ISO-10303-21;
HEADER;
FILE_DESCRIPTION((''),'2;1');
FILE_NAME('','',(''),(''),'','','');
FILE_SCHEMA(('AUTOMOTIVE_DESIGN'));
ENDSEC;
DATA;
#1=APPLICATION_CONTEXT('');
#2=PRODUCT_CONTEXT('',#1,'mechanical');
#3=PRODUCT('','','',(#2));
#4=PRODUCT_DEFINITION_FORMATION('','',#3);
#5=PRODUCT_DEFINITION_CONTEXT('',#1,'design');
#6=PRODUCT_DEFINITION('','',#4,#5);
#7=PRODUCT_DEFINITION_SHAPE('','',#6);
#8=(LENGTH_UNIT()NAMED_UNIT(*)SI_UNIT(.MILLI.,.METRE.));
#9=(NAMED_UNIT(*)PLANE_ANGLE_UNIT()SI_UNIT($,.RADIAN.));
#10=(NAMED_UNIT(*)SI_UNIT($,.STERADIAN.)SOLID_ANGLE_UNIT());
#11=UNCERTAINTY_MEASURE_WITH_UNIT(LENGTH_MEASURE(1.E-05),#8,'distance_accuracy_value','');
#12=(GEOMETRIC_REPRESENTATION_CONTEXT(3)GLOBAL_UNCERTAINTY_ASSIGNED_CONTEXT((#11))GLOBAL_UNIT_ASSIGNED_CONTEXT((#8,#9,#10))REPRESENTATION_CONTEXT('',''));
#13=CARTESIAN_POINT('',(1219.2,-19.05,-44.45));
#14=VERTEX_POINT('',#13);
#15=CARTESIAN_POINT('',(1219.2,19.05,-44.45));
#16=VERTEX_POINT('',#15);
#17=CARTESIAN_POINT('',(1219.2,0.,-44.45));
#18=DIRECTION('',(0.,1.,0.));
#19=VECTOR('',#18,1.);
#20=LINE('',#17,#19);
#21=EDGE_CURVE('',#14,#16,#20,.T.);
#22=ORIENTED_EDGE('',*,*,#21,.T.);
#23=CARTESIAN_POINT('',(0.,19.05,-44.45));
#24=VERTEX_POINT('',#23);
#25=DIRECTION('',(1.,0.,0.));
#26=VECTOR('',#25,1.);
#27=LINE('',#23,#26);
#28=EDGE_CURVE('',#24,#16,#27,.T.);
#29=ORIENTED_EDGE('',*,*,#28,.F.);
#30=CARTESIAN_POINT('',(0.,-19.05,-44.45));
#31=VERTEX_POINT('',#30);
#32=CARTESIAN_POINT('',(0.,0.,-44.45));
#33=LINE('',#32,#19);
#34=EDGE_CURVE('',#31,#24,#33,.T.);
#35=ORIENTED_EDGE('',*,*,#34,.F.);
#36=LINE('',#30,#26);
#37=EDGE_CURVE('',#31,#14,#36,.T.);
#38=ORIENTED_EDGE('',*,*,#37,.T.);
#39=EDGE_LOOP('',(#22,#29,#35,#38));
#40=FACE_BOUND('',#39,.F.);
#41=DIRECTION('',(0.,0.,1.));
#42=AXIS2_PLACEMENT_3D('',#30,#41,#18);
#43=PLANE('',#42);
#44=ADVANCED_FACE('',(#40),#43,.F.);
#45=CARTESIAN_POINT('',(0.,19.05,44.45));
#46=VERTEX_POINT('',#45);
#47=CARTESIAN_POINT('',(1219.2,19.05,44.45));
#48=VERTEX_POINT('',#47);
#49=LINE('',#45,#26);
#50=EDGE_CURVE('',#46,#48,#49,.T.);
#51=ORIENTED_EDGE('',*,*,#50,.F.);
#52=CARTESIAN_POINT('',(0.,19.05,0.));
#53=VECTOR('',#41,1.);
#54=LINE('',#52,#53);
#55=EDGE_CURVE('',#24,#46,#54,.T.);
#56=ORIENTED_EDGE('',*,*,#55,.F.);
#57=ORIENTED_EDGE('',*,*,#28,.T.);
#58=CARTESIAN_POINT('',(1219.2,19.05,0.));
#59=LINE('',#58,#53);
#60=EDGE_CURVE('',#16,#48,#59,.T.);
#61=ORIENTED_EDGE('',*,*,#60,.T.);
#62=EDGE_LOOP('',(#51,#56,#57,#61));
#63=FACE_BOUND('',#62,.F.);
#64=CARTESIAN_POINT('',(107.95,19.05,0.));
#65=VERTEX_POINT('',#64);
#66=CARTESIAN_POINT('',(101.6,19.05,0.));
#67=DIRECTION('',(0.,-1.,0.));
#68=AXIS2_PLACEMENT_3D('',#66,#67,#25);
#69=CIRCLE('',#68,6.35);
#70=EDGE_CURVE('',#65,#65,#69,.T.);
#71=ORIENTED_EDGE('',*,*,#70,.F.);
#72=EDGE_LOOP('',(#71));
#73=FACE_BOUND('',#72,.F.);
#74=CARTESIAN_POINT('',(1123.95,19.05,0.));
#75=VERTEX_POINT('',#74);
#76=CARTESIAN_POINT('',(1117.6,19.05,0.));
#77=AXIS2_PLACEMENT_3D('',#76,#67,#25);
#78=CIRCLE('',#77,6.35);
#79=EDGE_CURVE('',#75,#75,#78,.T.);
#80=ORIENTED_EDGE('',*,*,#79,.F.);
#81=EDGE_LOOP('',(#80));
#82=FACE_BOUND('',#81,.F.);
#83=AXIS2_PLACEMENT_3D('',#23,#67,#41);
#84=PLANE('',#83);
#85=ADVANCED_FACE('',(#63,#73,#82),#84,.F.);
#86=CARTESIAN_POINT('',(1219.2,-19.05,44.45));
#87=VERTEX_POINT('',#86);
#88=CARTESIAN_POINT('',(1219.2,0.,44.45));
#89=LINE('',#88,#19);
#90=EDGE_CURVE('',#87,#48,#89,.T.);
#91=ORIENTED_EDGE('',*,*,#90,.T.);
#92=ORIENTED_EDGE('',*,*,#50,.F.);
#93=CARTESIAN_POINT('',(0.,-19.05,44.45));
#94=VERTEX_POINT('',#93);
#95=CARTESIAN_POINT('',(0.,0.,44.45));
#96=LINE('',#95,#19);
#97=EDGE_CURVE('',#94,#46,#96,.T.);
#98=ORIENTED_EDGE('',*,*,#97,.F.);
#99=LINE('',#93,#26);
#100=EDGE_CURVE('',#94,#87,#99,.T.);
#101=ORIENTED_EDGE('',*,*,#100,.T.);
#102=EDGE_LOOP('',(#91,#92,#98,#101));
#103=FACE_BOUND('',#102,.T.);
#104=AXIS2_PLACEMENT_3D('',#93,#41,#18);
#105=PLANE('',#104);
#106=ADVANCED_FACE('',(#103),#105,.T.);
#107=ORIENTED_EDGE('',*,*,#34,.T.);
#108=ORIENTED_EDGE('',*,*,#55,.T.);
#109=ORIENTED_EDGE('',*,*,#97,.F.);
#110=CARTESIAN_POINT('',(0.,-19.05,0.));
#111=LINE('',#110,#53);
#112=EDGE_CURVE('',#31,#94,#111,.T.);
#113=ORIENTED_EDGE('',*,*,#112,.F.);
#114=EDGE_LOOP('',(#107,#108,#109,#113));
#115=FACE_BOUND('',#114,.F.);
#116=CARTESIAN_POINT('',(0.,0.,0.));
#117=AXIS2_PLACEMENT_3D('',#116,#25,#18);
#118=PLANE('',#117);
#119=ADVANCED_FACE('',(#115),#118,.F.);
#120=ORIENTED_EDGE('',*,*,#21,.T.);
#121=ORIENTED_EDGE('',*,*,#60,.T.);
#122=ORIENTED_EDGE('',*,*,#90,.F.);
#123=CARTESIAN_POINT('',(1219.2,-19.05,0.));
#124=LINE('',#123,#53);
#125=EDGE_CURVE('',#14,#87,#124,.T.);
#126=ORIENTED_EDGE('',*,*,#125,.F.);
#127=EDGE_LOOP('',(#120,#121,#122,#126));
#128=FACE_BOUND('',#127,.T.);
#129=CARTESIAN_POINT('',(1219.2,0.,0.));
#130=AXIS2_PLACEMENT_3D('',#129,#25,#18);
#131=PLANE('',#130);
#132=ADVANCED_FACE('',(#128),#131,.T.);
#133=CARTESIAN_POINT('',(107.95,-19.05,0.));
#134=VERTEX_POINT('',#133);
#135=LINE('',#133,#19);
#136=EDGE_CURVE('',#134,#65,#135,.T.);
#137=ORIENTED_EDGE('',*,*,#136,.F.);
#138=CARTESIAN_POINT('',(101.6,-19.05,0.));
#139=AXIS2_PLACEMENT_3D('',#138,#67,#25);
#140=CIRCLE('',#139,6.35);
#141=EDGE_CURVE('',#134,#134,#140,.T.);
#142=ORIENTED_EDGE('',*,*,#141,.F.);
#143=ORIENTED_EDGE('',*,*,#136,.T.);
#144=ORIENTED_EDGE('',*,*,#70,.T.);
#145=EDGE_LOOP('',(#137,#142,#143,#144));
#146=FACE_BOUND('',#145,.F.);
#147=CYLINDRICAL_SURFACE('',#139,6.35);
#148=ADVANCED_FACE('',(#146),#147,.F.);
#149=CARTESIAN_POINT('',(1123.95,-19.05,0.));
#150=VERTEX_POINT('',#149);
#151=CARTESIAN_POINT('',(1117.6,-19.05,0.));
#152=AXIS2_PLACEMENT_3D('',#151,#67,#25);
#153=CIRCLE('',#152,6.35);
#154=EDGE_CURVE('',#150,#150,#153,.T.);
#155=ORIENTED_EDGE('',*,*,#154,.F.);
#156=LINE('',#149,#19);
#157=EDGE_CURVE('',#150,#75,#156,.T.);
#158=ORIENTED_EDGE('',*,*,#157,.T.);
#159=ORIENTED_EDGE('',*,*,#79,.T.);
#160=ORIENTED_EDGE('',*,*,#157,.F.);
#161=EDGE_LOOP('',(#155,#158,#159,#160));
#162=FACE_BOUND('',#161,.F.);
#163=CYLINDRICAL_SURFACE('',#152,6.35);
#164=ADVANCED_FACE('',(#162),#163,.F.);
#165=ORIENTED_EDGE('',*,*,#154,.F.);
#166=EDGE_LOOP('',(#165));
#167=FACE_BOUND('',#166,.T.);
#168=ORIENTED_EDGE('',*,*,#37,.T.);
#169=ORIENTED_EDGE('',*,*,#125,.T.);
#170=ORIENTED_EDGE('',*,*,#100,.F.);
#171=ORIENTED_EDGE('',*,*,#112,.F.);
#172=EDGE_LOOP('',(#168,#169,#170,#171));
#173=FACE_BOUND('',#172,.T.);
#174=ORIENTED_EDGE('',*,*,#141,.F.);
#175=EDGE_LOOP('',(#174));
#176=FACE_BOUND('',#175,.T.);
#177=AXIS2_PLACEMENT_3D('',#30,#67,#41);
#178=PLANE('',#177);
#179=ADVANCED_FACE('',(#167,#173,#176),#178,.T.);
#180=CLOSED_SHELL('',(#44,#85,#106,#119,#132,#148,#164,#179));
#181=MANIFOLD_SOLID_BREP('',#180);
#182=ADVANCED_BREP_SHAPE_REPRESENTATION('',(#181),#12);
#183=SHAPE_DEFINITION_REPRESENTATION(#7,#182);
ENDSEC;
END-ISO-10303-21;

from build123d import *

# Parameters (mm, degrees)
F0_W     = 38.1
F0_H     = 88.9
F1_DEPTH = 1219.2
F2_R     = 6.35
F3_DEPTH = 38.101
F4_R     = 6.35
F5_DEPTH = 38.101


with BuildPart() as f1:
    # F0 (on Right) → F1 (new body)
    with BuildSketch(Plane.YZ):
        Rectangle(F0_W, F0_H)
    extrude(amount=F1_DEPTH)

    # F2 (on face) → F3 (cut, through all)
    with BuildSketch(Plane.XZ.offset(19.05)):
        with Locations((101.6, 0)):
            Circle(F2_R)
    extrude(amount=-F3_DEPTH, mode=Mode.SUBTRACT)

    # F4 (on face) → F5 (cut, through all)
    with BuildSketch(Plane.XZ.offset(19.05)):
        with Locations((1117.6, 0)):
            Circle(F4_R)
    extrude(amount=-F5_DEPTH, mode=Mode.SUBTRACT)


solid = f1.part
